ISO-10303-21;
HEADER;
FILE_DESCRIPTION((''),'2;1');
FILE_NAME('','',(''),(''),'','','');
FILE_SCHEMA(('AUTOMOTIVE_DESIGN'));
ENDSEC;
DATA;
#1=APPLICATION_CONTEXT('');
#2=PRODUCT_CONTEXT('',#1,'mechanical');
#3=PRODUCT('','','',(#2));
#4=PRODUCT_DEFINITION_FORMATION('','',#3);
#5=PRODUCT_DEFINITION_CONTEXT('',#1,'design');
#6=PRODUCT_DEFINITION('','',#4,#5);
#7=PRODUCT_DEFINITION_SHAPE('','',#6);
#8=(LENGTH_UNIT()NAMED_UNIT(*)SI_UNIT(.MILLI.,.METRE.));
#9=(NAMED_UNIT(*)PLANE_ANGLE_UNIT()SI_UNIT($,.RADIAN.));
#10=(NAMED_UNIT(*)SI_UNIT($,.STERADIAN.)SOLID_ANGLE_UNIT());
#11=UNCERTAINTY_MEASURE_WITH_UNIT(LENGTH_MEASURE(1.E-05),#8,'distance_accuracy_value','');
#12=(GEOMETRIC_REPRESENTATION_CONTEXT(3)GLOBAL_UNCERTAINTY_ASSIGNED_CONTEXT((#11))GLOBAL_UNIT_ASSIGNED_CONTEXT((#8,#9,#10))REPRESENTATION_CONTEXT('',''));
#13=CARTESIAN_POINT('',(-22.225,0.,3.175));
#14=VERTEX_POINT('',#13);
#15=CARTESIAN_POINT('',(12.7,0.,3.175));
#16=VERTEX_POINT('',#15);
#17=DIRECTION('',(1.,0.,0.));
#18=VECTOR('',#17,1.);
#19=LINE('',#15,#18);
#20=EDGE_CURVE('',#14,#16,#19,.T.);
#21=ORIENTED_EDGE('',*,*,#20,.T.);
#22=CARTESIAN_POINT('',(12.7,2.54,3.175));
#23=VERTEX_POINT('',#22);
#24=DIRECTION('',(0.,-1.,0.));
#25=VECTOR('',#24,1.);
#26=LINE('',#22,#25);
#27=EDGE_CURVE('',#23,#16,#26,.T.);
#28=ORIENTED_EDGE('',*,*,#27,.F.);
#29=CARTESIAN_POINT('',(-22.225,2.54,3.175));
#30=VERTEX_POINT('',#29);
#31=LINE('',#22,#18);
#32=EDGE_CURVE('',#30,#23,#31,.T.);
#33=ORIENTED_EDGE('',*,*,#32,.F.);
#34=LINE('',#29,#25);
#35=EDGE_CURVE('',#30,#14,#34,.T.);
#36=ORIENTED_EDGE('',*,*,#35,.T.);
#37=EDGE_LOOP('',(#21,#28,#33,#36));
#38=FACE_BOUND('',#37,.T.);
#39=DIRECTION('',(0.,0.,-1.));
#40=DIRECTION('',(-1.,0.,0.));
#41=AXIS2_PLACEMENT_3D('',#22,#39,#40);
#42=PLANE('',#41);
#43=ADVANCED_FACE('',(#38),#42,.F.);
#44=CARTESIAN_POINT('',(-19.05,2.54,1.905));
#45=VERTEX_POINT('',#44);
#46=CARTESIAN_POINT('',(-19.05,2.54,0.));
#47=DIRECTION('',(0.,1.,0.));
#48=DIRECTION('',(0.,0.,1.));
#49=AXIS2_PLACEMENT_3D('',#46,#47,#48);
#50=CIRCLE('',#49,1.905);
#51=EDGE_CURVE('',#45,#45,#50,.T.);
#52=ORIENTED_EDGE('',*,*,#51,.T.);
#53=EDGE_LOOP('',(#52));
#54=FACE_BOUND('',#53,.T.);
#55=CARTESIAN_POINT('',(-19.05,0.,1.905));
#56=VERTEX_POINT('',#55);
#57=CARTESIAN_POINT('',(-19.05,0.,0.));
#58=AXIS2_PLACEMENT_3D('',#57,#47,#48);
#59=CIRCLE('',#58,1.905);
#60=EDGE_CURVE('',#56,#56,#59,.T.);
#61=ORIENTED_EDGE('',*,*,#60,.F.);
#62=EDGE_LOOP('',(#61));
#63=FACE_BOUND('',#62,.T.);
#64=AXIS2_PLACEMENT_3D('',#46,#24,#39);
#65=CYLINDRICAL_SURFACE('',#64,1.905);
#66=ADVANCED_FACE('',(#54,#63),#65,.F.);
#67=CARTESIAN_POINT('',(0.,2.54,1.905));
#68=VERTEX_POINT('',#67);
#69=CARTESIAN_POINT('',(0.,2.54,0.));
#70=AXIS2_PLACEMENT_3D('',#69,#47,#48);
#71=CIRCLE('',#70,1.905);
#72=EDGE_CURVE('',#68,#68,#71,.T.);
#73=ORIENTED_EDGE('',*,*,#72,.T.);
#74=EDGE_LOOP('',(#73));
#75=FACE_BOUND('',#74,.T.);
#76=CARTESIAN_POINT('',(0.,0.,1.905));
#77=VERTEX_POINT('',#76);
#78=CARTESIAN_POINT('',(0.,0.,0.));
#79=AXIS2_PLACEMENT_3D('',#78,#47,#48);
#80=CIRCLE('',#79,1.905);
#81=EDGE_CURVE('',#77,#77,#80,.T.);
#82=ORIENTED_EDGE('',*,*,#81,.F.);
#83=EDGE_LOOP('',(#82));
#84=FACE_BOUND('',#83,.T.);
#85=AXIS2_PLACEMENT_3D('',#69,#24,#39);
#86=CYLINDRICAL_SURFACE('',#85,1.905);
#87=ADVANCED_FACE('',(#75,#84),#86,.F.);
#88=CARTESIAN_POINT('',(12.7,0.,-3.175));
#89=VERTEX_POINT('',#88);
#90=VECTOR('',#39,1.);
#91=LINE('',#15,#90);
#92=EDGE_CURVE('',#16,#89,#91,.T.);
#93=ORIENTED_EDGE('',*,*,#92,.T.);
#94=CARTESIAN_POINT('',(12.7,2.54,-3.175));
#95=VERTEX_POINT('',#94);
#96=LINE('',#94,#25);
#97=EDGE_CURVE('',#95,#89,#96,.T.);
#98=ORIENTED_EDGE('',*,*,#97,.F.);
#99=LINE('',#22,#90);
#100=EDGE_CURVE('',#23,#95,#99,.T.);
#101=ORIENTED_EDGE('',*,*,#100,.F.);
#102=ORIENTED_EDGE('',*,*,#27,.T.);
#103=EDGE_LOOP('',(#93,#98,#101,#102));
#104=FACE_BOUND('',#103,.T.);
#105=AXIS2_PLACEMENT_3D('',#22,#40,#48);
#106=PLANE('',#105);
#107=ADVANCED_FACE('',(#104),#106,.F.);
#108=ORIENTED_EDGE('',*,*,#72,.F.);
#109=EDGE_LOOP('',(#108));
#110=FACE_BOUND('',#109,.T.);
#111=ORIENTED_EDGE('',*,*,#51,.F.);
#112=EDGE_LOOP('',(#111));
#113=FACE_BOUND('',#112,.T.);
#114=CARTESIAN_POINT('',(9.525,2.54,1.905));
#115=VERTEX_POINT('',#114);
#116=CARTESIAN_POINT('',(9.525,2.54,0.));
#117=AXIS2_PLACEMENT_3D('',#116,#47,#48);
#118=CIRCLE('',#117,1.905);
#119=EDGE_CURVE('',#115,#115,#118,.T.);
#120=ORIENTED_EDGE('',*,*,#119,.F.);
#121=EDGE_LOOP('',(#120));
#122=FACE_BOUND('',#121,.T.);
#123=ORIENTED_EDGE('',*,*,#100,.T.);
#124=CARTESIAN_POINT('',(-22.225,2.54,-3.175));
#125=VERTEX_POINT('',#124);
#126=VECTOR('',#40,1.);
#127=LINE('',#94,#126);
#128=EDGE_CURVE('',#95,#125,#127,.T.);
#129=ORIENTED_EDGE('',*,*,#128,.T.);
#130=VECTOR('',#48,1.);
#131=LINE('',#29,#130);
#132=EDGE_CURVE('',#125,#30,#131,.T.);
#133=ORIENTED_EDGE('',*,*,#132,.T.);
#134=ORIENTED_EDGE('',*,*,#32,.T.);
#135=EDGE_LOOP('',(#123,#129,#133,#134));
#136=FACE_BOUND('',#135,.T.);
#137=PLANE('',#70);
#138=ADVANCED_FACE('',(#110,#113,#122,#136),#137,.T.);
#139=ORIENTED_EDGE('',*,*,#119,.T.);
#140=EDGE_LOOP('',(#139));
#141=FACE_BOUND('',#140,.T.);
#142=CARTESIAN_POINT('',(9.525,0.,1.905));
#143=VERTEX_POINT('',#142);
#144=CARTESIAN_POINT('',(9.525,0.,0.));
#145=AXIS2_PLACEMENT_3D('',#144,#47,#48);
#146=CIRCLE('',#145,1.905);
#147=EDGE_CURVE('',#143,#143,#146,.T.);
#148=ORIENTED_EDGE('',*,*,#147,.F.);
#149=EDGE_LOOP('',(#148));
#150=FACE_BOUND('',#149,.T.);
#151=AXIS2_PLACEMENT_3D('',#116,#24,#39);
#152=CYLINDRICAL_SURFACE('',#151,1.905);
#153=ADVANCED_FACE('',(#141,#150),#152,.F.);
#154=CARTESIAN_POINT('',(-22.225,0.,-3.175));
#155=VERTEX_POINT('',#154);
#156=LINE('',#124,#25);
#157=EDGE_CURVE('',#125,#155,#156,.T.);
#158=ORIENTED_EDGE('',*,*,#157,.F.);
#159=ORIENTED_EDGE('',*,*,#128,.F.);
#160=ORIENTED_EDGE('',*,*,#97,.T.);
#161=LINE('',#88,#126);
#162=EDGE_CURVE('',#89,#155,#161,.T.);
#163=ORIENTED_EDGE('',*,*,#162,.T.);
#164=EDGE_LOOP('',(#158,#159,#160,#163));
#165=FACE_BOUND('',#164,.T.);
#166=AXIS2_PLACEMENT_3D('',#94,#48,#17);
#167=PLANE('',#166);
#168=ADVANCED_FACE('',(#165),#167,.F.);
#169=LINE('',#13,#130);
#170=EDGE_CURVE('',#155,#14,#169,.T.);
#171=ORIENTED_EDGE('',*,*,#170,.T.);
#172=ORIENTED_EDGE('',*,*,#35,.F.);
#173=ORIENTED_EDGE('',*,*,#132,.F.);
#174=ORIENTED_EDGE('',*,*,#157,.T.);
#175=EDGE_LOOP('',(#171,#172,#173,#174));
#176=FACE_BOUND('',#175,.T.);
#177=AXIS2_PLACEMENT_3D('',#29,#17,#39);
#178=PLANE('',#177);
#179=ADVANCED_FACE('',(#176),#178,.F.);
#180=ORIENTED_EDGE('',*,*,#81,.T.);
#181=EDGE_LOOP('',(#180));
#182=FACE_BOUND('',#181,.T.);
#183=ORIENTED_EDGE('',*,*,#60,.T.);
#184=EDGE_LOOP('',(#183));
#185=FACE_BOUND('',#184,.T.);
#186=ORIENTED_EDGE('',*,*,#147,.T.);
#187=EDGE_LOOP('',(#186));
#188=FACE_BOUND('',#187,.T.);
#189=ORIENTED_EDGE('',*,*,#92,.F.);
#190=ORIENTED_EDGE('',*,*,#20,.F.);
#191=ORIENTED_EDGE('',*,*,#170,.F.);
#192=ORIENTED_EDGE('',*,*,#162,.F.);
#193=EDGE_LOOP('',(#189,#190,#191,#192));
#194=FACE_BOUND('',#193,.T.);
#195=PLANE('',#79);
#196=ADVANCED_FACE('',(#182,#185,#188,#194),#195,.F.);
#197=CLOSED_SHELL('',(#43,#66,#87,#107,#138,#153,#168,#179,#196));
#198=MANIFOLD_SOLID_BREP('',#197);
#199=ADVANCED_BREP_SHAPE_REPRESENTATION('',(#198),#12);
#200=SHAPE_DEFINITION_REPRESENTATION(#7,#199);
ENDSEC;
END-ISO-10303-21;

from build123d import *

# Parameters (mm, degrees)
SKETCH1_W           = 34.925
SKETCH1_H           = 6.35
SKETCH1_R           = 1.905
BOSS_EXTRUDE1_DEPTH = 2.54


with BuildPart() as part:
    # Sketch1 → Boss-Extrude1 (new body)
    with BuildSketch(Plane(origin=(0, 0, 0), x_dir=(1, 0, 0), z_dir=(0, 1, 0))):
        with Locations((-4.7625, 0)):
            Rectangle(SKETCH1_W, SKETCH1_H)
        with Locations((-19.05, 0)):
            Circle(SKETCH1_R, mode=Mode.SUBTRACT)
        with Locations((9.525, 0)):
            Circle(SKETCH1_R, mode=Mode.SUBTRACT)
        Circle(SKETCH1_R, mode=Mode.SUBTRACT)
    extrude(amount=BOSS_EXTRUDE1_DEPTH)


solid = part.part
